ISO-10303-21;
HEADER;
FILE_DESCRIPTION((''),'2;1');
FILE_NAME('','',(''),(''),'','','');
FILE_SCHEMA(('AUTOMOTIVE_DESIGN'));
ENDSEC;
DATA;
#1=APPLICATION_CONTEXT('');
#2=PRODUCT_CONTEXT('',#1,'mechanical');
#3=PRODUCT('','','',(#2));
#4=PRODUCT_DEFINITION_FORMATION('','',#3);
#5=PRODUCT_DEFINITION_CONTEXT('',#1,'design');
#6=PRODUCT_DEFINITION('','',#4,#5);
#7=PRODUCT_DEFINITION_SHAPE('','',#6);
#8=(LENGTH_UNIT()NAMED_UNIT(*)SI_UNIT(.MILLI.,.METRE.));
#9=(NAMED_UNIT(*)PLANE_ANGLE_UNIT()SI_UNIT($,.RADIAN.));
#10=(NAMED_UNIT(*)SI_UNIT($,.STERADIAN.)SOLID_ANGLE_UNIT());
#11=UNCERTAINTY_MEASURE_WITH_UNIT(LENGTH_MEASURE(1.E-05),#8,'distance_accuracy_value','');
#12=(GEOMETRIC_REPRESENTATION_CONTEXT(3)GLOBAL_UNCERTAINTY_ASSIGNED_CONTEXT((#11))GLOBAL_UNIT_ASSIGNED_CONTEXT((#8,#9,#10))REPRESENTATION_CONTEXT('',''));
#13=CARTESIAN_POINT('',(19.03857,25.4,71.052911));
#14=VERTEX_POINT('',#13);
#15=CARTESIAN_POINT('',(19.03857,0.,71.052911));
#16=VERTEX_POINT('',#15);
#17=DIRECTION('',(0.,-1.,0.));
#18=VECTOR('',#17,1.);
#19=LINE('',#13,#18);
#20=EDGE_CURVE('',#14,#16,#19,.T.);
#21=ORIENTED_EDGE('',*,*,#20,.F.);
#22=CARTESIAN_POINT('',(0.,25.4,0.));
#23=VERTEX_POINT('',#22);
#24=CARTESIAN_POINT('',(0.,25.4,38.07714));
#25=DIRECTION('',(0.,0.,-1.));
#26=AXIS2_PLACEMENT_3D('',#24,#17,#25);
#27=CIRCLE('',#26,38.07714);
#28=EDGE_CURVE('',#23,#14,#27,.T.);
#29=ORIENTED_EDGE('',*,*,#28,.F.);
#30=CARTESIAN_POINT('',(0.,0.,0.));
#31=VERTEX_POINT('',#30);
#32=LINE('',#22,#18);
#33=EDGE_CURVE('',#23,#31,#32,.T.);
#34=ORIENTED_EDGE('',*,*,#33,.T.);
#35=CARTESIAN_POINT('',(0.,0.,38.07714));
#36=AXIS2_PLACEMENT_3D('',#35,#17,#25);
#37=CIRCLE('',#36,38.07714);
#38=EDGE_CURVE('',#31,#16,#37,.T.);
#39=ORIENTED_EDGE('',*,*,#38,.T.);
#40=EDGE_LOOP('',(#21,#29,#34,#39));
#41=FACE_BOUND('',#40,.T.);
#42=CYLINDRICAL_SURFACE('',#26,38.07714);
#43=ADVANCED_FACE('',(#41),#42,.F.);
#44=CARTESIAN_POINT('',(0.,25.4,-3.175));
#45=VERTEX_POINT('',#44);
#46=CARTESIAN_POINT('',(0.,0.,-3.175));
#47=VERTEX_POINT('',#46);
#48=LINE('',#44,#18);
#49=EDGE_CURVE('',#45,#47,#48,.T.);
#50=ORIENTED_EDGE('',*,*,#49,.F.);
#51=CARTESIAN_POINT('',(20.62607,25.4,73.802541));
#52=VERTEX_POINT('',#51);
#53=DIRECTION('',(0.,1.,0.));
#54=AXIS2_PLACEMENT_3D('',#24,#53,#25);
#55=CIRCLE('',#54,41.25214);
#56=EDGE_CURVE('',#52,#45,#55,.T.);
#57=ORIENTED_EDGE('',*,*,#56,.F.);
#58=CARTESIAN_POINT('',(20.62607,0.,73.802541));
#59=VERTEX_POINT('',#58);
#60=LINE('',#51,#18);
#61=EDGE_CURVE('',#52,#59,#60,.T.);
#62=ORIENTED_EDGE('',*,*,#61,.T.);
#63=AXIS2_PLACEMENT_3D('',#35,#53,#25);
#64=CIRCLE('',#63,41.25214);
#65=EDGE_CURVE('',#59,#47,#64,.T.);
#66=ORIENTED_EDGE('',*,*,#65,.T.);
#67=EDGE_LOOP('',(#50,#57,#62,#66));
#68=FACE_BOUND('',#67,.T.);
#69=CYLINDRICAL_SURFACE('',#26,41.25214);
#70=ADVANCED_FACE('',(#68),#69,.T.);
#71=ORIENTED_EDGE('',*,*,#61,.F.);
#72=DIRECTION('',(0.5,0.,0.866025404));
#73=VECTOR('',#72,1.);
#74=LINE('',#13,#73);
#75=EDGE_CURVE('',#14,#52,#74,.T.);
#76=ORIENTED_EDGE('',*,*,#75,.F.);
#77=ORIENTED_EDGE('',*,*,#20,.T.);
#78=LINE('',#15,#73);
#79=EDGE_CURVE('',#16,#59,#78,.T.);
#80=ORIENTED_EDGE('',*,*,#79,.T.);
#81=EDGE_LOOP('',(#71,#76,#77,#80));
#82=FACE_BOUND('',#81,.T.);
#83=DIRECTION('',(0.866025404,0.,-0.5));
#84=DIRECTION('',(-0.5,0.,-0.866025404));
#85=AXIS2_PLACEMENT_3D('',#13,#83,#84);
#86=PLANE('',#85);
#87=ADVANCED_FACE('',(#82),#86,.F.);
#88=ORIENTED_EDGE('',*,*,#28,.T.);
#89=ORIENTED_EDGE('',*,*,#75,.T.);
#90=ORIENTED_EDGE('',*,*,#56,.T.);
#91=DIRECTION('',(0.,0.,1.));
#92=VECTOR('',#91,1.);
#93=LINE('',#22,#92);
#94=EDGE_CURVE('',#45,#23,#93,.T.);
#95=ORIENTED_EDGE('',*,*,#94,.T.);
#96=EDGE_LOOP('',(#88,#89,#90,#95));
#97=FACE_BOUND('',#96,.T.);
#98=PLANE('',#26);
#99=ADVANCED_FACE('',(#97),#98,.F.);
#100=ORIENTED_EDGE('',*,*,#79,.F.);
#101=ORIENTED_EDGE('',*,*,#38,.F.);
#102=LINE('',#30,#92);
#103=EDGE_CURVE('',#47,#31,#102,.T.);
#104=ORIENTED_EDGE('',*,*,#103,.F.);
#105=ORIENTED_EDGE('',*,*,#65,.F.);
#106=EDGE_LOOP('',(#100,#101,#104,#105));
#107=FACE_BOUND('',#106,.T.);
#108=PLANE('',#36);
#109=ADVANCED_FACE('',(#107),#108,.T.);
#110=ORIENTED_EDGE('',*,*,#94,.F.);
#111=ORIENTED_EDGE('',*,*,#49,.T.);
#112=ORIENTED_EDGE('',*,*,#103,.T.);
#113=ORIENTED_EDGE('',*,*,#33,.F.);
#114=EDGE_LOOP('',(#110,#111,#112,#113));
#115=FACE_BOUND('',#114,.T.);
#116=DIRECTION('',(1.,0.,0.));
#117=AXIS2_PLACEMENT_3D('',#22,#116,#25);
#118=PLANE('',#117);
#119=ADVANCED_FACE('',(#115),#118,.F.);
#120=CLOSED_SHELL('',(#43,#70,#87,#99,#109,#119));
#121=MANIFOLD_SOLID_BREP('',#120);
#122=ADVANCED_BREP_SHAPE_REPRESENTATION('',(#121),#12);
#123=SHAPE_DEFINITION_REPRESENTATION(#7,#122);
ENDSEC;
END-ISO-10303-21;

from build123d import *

# Parameters (mm, degrees)
BOSS_EXTRUDE1_DEPTH = 25.4


with BuildPart() as part:
    # Sketch1 → Boss-Extrude1 (new body)
    with BuildSketch(Plane(origin=(0, 0, 0), x_dir=(1, 0, 0), z_dir=(0, 1, 0))):
        with BuildLine():
            Line((19.03857, -71.052910543), (20.62607, -73.8025412))
            ThreePointArc((20.62607, -73.8025412), (39.846507416, -27.400300517), (0, 3.175))
            Line((0, 3.175), (0, 0))
            ThreePointArc((0, 0), (36.779692917, -28.222050985), (19.03857, -71.052910543))
        make_face()
    extrude(amount=BOSS_EXTRUDE1_DEPTH)


solid = part.part
